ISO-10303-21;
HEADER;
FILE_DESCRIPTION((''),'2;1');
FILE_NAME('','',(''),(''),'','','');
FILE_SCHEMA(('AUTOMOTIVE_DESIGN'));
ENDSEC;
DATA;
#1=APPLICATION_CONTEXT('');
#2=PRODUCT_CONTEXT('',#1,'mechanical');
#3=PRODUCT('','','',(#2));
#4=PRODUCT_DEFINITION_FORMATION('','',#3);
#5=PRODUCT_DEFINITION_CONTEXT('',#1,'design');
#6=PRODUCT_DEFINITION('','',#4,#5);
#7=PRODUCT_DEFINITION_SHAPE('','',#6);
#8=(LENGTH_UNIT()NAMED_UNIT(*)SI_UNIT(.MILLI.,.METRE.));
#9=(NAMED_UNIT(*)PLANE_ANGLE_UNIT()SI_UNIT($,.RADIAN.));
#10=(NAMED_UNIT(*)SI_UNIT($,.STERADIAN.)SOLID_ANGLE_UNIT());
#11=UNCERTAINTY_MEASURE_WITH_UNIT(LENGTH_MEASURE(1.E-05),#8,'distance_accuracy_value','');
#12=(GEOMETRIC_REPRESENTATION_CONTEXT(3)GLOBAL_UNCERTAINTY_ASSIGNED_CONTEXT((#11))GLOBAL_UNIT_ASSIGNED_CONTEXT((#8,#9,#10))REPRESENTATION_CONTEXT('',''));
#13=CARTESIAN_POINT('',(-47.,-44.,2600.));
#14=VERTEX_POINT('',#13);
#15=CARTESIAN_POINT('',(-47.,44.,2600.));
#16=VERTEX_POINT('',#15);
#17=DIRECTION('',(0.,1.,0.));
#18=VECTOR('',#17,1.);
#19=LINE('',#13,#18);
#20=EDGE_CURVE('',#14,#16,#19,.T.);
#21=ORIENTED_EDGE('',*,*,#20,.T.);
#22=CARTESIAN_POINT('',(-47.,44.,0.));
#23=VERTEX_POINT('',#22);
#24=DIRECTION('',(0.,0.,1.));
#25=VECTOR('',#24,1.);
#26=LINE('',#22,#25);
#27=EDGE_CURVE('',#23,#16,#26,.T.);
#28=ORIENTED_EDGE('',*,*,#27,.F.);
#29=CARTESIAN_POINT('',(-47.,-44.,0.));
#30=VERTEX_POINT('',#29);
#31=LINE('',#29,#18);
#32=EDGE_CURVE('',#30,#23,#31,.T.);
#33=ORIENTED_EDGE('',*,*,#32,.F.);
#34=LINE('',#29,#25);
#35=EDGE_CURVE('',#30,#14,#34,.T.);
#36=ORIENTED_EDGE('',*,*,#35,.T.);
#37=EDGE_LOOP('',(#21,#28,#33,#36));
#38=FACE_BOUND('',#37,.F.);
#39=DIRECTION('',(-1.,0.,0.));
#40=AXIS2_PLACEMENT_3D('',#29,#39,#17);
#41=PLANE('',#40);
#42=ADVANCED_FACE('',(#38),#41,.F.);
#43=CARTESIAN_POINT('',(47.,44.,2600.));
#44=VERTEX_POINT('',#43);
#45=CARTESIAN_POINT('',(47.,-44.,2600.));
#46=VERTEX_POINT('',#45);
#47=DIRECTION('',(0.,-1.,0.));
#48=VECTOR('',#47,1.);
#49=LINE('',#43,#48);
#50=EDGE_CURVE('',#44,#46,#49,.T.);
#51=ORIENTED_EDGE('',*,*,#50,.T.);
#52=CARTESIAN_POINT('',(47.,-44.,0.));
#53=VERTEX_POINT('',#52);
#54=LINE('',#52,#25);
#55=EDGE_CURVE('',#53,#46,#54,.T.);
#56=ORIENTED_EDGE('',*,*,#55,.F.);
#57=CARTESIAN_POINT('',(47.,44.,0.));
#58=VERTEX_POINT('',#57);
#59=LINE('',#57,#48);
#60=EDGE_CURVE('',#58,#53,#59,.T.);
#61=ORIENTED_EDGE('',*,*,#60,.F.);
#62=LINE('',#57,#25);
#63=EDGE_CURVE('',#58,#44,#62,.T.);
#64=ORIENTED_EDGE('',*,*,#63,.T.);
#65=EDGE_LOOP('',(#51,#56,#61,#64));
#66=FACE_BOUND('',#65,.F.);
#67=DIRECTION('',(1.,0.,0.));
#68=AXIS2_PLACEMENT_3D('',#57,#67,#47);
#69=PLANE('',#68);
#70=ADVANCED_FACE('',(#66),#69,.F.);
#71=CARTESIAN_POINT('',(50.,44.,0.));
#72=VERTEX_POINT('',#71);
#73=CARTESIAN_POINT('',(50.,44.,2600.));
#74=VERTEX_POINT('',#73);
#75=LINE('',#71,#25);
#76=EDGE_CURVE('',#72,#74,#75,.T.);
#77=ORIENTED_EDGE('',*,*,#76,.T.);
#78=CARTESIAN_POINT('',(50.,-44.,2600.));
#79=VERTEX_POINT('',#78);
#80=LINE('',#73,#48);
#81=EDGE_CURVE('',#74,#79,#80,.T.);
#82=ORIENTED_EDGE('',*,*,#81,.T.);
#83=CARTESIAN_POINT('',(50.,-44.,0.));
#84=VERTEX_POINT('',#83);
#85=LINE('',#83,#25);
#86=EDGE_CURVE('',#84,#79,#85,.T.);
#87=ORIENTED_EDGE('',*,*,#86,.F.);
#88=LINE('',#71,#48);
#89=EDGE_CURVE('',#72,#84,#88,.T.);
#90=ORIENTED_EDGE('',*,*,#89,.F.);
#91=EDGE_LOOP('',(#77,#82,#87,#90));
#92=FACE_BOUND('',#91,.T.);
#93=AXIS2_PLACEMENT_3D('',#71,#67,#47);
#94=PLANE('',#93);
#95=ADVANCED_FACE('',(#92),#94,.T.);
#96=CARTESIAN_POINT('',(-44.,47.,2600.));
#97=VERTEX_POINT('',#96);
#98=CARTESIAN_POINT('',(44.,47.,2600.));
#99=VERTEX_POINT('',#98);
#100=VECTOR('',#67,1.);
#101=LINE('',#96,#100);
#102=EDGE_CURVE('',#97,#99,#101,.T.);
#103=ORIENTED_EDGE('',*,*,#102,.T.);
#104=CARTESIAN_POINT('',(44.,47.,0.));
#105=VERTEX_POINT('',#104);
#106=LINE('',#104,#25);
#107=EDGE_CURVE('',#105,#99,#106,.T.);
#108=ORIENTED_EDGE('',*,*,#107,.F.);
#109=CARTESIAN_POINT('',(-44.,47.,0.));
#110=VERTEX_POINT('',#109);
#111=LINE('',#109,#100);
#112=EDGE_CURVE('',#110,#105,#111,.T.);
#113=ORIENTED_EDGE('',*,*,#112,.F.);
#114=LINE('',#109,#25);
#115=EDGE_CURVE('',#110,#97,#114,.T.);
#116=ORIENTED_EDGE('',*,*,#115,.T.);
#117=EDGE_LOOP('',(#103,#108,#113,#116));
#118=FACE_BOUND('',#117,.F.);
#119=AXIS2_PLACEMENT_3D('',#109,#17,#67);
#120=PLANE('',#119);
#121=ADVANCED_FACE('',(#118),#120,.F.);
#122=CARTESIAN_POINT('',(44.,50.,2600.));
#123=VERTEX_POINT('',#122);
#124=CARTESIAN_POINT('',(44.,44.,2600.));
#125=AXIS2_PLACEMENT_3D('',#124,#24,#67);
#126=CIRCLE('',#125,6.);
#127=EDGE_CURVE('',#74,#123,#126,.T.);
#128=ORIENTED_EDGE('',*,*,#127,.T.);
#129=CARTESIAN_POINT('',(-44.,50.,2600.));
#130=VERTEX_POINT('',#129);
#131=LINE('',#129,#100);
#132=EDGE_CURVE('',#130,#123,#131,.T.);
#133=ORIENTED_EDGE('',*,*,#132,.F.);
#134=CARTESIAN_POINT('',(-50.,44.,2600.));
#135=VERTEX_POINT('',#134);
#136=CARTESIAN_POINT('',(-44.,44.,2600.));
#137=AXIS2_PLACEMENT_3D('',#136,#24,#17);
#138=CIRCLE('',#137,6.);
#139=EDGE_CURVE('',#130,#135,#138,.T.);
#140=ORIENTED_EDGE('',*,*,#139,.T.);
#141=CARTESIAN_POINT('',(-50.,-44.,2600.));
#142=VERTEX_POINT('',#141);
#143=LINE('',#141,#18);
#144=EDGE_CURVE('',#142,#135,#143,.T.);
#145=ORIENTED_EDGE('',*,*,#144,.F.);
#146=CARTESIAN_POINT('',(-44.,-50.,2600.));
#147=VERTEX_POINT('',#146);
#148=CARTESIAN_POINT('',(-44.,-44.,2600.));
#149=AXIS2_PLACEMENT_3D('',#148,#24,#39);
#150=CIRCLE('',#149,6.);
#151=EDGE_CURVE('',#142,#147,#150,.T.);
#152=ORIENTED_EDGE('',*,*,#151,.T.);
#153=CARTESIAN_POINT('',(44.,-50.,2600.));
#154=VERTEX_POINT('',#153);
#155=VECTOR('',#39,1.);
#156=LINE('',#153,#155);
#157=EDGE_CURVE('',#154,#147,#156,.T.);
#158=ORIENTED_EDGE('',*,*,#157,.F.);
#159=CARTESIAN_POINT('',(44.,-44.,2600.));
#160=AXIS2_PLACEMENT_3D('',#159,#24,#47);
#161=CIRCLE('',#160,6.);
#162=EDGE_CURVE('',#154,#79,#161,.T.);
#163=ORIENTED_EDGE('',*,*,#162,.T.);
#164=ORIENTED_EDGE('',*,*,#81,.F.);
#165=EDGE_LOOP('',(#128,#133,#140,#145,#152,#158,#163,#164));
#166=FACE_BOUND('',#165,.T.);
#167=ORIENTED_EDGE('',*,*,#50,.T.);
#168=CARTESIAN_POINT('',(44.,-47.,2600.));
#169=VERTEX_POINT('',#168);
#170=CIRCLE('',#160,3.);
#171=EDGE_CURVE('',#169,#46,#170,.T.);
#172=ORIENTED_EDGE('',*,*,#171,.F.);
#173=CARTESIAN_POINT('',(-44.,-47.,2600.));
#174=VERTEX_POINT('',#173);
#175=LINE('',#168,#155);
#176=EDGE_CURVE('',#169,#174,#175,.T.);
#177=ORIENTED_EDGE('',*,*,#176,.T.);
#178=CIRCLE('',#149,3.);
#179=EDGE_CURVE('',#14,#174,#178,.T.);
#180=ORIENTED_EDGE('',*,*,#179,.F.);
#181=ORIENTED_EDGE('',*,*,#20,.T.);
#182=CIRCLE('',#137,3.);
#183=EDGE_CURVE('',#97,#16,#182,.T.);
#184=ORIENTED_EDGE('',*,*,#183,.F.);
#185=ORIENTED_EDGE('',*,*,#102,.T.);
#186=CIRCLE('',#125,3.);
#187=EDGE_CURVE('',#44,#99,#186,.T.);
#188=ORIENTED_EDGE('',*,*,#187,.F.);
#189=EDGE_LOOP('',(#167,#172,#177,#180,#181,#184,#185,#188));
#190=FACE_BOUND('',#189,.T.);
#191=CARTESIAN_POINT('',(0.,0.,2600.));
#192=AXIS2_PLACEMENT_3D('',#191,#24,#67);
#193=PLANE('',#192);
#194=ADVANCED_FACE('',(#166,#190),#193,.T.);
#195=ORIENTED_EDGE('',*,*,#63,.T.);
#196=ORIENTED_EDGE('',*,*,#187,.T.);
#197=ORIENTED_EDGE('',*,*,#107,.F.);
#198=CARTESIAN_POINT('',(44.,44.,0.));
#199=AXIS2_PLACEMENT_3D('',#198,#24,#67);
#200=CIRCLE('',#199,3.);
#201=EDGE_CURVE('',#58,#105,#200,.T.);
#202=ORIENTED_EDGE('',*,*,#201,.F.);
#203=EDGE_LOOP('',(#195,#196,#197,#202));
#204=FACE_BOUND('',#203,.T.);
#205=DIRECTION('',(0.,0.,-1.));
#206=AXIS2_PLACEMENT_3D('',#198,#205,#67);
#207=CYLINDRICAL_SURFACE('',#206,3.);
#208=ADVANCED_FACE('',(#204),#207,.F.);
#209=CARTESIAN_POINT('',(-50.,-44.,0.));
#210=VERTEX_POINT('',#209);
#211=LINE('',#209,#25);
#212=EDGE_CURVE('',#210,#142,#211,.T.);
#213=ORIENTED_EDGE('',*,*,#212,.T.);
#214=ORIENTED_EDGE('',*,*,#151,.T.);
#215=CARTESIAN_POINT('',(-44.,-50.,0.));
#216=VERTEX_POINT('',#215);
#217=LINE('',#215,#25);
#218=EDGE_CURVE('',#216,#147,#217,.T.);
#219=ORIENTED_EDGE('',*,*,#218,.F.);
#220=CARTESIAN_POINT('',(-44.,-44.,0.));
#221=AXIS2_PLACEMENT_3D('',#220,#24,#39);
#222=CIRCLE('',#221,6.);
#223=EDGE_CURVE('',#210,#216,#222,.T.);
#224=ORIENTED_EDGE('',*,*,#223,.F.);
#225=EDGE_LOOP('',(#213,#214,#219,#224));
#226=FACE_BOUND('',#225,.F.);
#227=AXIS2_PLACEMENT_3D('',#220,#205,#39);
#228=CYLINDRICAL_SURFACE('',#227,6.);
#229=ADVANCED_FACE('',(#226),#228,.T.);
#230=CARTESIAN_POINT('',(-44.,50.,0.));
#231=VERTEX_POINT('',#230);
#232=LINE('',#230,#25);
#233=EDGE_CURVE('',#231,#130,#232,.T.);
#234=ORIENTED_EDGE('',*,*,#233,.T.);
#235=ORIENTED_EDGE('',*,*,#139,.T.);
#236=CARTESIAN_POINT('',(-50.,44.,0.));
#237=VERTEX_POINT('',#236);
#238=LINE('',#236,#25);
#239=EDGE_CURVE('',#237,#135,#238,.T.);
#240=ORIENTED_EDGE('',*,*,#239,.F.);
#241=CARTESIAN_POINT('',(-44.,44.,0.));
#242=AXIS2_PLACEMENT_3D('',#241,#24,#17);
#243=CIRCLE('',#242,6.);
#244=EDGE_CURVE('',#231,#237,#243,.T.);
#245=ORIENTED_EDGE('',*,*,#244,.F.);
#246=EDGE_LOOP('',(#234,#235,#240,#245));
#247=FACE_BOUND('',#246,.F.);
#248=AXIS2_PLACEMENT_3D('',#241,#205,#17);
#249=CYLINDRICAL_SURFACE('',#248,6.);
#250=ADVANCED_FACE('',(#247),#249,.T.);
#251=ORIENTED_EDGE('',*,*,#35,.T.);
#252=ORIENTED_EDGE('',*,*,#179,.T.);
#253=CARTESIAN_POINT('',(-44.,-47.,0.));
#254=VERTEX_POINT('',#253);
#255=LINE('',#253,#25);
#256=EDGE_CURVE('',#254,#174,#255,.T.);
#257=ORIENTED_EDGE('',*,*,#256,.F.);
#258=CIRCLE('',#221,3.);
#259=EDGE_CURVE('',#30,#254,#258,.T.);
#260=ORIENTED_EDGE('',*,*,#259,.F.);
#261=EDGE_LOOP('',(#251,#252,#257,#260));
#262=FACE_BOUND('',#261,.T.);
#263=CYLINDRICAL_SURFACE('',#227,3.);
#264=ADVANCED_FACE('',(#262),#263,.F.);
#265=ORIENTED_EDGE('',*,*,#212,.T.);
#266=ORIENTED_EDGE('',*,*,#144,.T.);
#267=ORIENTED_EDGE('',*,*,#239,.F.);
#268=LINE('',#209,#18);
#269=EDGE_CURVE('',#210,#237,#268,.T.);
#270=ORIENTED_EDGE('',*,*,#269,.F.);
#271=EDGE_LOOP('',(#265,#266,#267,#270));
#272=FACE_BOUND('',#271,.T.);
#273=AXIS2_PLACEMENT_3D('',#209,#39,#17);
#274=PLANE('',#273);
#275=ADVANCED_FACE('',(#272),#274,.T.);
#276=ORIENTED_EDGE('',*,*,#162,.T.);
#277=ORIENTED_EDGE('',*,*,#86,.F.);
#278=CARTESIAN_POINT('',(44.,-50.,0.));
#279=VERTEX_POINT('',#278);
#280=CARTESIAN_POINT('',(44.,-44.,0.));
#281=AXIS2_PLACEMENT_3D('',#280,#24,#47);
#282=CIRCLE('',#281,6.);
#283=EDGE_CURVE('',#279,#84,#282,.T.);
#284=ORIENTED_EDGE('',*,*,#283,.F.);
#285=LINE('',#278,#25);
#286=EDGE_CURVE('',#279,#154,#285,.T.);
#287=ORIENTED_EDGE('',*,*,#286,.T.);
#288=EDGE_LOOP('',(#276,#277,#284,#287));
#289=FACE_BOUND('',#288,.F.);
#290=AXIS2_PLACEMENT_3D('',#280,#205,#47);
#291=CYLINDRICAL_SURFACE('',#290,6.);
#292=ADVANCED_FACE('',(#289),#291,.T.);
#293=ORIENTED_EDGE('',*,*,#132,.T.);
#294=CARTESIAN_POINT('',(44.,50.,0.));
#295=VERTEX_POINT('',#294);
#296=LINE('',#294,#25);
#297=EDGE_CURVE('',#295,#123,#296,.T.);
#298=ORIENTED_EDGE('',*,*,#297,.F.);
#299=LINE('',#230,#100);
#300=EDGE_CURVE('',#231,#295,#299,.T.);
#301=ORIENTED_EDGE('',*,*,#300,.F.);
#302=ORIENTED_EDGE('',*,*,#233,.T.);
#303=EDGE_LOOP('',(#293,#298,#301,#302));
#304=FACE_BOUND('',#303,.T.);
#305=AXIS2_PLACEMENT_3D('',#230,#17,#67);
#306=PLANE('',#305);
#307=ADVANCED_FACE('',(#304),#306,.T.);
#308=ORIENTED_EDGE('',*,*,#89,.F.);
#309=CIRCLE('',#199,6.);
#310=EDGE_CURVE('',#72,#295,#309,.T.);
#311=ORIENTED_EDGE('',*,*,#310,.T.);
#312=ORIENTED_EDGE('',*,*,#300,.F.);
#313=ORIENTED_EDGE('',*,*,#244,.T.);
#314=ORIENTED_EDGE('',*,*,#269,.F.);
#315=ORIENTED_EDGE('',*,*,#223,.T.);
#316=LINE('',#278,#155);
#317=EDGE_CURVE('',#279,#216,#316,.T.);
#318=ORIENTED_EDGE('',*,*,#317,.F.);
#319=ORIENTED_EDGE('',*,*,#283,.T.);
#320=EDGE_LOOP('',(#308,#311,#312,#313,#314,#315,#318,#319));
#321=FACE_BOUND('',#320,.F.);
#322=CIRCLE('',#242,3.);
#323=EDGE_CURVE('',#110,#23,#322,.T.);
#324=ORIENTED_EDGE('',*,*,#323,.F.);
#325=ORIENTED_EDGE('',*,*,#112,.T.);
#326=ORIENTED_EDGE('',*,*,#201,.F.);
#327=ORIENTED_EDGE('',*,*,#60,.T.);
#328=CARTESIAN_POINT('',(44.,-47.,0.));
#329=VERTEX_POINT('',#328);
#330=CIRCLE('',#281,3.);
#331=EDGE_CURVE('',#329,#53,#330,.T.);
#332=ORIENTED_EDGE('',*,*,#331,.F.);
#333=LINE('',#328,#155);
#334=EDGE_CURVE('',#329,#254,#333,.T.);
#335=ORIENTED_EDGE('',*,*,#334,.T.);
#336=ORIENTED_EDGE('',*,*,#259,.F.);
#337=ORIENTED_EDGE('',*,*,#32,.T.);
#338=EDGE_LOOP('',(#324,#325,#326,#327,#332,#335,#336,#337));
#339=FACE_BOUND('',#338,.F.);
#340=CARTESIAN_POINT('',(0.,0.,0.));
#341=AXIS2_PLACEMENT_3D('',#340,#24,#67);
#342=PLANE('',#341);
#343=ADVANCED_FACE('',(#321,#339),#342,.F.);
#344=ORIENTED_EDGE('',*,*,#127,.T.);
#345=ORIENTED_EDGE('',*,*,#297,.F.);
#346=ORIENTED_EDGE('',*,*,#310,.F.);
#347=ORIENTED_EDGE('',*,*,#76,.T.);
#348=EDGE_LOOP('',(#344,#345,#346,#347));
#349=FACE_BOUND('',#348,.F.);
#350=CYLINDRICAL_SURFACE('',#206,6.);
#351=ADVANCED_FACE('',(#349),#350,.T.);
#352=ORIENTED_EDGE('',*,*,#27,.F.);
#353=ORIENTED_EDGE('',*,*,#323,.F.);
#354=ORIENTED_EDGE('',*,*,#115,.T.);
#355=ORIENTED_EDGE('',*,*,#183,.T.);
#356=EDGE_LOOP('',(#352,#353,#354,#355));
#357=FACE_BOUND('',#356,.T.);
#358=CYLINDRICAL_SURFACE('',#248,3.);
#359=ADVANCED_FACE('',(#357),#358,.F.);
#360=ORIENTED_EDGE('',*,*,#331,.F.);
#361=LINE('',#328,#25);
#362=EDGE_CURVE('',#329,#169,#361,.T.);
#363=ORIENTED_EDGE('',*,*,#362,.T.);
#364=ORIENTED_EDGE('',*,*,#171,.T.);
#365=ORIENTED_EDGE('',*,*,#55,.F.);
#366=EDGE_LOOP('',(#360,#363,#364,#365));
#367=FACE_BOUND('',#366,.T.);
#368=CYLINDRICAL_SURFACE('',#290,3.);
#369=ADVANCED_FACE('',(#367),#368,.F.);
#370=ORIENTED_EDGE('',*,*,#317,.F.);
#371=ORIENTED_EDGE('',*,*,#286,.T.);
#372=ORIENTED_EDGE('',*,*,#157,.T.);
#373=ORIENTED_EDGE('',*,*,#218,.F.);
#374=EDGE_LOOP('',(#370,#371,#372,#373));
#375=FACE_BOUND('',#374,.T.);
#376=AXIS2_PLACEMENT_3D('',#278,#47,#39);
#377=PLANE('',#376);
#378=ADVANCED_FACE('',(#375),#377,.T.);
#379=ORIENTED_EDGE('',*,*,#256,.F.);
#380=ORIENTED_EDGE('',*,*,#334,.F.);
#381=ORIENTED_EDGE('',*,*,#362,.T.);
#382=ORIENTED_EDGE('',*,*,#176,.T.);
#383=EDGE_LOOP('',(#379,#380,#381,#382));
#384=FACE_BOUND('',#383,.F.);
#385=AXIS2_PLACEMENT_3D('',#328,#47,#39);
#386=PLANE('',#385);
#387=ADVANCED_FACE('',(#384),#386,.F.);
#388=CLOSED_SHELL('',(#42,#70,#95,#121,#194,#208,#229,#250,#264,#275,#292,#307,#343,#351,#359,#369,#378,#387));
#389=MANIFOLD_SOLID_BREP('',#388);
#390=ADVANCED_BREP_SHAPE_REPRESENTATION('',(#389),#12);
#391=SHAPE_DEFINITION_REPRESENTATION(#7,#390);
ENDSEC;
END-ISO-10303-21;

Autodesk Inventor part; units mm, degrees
ref_plane "YZ Plane" through (0, 0, 0) normal (1, 0, 0) x (0, 1, 0)
ref_plane "Start Plane" through (0, 0, 0) normal (0, 0, 1) x (1, 0, 0)
ref_plane "End Plane" through (0, 0, 2600) normal (0, 0, 1) x (1, 0, 0)
sketch "Sketch" plane through (0, 0, 0) normal (0, 0, 1) x (1, 0, 0)
  line L0 (-50, -44) -> (-50, 44)
  line L1 (-44, 50) -> (44, 50)
  line L2 (50, 44) -> (50, -44)
  line L3 (44, -50) -> (-44, -50)
  arc A0 (-50, -44) -> (-44, -50) centre (-44, -44) ccw
  arc A1 (50, 44) -> (44, 50) centre (44, 44) ccw
  arc A2 (-44, 50) -> (-50, 44) centre (-44, 44) ccw
  arc A3 (44, -50) -> (50, -44) centre (44, -44) ccw
  arc A4 (-44, 47) -> (-47, 44) centre (-44, 44) ccw
  line L4 (-44, 47) -> (44, 47)
  arc A5 (47, 44) -> (44, 47) centre (44, 44) ccw
  line L5 (47, 44) -> (47, -44)
  arc A6 (44, -47) -> (47, -44) centre (44, -44) ccw
  line L6 (44, -47) -> (-44, -47)
  arc A7 (-47, -44) -> (-44, -47) centre (-44, -44) ccw
  line L7 (-47, -44) -> (-47, 44)
  line L8 (0, 71.7397) -> (0, -71.7397) construction
  line L9 (-71.7397, 0) -> (71.7397, 0) construction
  dimension "d7" = 6
  dimension "d9" = 100
  dimension "d11" = 100
  dimension "d12" = 3
  dimension "d15" = 50
  dimension "d16" = 50
extrude "Body" add sketch "Sketch" along normal up to surface (2600 mm away) from surface at 0
sketch "Sketch3" plane through (0, 0, 0) normal (0, 0, 1) x (1, 0, 0)
  line L0 (0, 0) -> (10, 0)
ref_plane "Work Plane3" through (0, 0, 0) normal (0, -1, 0) x (1, 0, 0)
sketch "Sketch4" plane through (0, 0, 0) normal (0, -1, 0) x (1, 0, 0)
  line L0 (-2, 0) -> (12, 0) projected
  line L1 (-2, 2600) -> (12, 2600) projected
  dimension "d18" = 2600
equation "\"d7\" = G_IR"
equation "\"d9\" = G_W"
equation "\"d11\" = G_H"
equation "\"d12\" = G_T"
equation "\"d15\" = 0.5 * d9"
equation "\"d16\" = 0.5 * d11"
equation "\"d3\" = G_L"
equation "\"G_W\" = 100"
equation "\"G_H\" = 100"
equation "\"G_T\" = 3"
equation "\"G_IR\" = 6"
equation "\"G_L\" = d18"
equation "\"G_OFFSET_START\" = 0"
equation "\"G_OFFSET_END\" = 0"
properties part number "ISO 10799-2 - 100x100x3 - 2600" material "Steel, Mild"
